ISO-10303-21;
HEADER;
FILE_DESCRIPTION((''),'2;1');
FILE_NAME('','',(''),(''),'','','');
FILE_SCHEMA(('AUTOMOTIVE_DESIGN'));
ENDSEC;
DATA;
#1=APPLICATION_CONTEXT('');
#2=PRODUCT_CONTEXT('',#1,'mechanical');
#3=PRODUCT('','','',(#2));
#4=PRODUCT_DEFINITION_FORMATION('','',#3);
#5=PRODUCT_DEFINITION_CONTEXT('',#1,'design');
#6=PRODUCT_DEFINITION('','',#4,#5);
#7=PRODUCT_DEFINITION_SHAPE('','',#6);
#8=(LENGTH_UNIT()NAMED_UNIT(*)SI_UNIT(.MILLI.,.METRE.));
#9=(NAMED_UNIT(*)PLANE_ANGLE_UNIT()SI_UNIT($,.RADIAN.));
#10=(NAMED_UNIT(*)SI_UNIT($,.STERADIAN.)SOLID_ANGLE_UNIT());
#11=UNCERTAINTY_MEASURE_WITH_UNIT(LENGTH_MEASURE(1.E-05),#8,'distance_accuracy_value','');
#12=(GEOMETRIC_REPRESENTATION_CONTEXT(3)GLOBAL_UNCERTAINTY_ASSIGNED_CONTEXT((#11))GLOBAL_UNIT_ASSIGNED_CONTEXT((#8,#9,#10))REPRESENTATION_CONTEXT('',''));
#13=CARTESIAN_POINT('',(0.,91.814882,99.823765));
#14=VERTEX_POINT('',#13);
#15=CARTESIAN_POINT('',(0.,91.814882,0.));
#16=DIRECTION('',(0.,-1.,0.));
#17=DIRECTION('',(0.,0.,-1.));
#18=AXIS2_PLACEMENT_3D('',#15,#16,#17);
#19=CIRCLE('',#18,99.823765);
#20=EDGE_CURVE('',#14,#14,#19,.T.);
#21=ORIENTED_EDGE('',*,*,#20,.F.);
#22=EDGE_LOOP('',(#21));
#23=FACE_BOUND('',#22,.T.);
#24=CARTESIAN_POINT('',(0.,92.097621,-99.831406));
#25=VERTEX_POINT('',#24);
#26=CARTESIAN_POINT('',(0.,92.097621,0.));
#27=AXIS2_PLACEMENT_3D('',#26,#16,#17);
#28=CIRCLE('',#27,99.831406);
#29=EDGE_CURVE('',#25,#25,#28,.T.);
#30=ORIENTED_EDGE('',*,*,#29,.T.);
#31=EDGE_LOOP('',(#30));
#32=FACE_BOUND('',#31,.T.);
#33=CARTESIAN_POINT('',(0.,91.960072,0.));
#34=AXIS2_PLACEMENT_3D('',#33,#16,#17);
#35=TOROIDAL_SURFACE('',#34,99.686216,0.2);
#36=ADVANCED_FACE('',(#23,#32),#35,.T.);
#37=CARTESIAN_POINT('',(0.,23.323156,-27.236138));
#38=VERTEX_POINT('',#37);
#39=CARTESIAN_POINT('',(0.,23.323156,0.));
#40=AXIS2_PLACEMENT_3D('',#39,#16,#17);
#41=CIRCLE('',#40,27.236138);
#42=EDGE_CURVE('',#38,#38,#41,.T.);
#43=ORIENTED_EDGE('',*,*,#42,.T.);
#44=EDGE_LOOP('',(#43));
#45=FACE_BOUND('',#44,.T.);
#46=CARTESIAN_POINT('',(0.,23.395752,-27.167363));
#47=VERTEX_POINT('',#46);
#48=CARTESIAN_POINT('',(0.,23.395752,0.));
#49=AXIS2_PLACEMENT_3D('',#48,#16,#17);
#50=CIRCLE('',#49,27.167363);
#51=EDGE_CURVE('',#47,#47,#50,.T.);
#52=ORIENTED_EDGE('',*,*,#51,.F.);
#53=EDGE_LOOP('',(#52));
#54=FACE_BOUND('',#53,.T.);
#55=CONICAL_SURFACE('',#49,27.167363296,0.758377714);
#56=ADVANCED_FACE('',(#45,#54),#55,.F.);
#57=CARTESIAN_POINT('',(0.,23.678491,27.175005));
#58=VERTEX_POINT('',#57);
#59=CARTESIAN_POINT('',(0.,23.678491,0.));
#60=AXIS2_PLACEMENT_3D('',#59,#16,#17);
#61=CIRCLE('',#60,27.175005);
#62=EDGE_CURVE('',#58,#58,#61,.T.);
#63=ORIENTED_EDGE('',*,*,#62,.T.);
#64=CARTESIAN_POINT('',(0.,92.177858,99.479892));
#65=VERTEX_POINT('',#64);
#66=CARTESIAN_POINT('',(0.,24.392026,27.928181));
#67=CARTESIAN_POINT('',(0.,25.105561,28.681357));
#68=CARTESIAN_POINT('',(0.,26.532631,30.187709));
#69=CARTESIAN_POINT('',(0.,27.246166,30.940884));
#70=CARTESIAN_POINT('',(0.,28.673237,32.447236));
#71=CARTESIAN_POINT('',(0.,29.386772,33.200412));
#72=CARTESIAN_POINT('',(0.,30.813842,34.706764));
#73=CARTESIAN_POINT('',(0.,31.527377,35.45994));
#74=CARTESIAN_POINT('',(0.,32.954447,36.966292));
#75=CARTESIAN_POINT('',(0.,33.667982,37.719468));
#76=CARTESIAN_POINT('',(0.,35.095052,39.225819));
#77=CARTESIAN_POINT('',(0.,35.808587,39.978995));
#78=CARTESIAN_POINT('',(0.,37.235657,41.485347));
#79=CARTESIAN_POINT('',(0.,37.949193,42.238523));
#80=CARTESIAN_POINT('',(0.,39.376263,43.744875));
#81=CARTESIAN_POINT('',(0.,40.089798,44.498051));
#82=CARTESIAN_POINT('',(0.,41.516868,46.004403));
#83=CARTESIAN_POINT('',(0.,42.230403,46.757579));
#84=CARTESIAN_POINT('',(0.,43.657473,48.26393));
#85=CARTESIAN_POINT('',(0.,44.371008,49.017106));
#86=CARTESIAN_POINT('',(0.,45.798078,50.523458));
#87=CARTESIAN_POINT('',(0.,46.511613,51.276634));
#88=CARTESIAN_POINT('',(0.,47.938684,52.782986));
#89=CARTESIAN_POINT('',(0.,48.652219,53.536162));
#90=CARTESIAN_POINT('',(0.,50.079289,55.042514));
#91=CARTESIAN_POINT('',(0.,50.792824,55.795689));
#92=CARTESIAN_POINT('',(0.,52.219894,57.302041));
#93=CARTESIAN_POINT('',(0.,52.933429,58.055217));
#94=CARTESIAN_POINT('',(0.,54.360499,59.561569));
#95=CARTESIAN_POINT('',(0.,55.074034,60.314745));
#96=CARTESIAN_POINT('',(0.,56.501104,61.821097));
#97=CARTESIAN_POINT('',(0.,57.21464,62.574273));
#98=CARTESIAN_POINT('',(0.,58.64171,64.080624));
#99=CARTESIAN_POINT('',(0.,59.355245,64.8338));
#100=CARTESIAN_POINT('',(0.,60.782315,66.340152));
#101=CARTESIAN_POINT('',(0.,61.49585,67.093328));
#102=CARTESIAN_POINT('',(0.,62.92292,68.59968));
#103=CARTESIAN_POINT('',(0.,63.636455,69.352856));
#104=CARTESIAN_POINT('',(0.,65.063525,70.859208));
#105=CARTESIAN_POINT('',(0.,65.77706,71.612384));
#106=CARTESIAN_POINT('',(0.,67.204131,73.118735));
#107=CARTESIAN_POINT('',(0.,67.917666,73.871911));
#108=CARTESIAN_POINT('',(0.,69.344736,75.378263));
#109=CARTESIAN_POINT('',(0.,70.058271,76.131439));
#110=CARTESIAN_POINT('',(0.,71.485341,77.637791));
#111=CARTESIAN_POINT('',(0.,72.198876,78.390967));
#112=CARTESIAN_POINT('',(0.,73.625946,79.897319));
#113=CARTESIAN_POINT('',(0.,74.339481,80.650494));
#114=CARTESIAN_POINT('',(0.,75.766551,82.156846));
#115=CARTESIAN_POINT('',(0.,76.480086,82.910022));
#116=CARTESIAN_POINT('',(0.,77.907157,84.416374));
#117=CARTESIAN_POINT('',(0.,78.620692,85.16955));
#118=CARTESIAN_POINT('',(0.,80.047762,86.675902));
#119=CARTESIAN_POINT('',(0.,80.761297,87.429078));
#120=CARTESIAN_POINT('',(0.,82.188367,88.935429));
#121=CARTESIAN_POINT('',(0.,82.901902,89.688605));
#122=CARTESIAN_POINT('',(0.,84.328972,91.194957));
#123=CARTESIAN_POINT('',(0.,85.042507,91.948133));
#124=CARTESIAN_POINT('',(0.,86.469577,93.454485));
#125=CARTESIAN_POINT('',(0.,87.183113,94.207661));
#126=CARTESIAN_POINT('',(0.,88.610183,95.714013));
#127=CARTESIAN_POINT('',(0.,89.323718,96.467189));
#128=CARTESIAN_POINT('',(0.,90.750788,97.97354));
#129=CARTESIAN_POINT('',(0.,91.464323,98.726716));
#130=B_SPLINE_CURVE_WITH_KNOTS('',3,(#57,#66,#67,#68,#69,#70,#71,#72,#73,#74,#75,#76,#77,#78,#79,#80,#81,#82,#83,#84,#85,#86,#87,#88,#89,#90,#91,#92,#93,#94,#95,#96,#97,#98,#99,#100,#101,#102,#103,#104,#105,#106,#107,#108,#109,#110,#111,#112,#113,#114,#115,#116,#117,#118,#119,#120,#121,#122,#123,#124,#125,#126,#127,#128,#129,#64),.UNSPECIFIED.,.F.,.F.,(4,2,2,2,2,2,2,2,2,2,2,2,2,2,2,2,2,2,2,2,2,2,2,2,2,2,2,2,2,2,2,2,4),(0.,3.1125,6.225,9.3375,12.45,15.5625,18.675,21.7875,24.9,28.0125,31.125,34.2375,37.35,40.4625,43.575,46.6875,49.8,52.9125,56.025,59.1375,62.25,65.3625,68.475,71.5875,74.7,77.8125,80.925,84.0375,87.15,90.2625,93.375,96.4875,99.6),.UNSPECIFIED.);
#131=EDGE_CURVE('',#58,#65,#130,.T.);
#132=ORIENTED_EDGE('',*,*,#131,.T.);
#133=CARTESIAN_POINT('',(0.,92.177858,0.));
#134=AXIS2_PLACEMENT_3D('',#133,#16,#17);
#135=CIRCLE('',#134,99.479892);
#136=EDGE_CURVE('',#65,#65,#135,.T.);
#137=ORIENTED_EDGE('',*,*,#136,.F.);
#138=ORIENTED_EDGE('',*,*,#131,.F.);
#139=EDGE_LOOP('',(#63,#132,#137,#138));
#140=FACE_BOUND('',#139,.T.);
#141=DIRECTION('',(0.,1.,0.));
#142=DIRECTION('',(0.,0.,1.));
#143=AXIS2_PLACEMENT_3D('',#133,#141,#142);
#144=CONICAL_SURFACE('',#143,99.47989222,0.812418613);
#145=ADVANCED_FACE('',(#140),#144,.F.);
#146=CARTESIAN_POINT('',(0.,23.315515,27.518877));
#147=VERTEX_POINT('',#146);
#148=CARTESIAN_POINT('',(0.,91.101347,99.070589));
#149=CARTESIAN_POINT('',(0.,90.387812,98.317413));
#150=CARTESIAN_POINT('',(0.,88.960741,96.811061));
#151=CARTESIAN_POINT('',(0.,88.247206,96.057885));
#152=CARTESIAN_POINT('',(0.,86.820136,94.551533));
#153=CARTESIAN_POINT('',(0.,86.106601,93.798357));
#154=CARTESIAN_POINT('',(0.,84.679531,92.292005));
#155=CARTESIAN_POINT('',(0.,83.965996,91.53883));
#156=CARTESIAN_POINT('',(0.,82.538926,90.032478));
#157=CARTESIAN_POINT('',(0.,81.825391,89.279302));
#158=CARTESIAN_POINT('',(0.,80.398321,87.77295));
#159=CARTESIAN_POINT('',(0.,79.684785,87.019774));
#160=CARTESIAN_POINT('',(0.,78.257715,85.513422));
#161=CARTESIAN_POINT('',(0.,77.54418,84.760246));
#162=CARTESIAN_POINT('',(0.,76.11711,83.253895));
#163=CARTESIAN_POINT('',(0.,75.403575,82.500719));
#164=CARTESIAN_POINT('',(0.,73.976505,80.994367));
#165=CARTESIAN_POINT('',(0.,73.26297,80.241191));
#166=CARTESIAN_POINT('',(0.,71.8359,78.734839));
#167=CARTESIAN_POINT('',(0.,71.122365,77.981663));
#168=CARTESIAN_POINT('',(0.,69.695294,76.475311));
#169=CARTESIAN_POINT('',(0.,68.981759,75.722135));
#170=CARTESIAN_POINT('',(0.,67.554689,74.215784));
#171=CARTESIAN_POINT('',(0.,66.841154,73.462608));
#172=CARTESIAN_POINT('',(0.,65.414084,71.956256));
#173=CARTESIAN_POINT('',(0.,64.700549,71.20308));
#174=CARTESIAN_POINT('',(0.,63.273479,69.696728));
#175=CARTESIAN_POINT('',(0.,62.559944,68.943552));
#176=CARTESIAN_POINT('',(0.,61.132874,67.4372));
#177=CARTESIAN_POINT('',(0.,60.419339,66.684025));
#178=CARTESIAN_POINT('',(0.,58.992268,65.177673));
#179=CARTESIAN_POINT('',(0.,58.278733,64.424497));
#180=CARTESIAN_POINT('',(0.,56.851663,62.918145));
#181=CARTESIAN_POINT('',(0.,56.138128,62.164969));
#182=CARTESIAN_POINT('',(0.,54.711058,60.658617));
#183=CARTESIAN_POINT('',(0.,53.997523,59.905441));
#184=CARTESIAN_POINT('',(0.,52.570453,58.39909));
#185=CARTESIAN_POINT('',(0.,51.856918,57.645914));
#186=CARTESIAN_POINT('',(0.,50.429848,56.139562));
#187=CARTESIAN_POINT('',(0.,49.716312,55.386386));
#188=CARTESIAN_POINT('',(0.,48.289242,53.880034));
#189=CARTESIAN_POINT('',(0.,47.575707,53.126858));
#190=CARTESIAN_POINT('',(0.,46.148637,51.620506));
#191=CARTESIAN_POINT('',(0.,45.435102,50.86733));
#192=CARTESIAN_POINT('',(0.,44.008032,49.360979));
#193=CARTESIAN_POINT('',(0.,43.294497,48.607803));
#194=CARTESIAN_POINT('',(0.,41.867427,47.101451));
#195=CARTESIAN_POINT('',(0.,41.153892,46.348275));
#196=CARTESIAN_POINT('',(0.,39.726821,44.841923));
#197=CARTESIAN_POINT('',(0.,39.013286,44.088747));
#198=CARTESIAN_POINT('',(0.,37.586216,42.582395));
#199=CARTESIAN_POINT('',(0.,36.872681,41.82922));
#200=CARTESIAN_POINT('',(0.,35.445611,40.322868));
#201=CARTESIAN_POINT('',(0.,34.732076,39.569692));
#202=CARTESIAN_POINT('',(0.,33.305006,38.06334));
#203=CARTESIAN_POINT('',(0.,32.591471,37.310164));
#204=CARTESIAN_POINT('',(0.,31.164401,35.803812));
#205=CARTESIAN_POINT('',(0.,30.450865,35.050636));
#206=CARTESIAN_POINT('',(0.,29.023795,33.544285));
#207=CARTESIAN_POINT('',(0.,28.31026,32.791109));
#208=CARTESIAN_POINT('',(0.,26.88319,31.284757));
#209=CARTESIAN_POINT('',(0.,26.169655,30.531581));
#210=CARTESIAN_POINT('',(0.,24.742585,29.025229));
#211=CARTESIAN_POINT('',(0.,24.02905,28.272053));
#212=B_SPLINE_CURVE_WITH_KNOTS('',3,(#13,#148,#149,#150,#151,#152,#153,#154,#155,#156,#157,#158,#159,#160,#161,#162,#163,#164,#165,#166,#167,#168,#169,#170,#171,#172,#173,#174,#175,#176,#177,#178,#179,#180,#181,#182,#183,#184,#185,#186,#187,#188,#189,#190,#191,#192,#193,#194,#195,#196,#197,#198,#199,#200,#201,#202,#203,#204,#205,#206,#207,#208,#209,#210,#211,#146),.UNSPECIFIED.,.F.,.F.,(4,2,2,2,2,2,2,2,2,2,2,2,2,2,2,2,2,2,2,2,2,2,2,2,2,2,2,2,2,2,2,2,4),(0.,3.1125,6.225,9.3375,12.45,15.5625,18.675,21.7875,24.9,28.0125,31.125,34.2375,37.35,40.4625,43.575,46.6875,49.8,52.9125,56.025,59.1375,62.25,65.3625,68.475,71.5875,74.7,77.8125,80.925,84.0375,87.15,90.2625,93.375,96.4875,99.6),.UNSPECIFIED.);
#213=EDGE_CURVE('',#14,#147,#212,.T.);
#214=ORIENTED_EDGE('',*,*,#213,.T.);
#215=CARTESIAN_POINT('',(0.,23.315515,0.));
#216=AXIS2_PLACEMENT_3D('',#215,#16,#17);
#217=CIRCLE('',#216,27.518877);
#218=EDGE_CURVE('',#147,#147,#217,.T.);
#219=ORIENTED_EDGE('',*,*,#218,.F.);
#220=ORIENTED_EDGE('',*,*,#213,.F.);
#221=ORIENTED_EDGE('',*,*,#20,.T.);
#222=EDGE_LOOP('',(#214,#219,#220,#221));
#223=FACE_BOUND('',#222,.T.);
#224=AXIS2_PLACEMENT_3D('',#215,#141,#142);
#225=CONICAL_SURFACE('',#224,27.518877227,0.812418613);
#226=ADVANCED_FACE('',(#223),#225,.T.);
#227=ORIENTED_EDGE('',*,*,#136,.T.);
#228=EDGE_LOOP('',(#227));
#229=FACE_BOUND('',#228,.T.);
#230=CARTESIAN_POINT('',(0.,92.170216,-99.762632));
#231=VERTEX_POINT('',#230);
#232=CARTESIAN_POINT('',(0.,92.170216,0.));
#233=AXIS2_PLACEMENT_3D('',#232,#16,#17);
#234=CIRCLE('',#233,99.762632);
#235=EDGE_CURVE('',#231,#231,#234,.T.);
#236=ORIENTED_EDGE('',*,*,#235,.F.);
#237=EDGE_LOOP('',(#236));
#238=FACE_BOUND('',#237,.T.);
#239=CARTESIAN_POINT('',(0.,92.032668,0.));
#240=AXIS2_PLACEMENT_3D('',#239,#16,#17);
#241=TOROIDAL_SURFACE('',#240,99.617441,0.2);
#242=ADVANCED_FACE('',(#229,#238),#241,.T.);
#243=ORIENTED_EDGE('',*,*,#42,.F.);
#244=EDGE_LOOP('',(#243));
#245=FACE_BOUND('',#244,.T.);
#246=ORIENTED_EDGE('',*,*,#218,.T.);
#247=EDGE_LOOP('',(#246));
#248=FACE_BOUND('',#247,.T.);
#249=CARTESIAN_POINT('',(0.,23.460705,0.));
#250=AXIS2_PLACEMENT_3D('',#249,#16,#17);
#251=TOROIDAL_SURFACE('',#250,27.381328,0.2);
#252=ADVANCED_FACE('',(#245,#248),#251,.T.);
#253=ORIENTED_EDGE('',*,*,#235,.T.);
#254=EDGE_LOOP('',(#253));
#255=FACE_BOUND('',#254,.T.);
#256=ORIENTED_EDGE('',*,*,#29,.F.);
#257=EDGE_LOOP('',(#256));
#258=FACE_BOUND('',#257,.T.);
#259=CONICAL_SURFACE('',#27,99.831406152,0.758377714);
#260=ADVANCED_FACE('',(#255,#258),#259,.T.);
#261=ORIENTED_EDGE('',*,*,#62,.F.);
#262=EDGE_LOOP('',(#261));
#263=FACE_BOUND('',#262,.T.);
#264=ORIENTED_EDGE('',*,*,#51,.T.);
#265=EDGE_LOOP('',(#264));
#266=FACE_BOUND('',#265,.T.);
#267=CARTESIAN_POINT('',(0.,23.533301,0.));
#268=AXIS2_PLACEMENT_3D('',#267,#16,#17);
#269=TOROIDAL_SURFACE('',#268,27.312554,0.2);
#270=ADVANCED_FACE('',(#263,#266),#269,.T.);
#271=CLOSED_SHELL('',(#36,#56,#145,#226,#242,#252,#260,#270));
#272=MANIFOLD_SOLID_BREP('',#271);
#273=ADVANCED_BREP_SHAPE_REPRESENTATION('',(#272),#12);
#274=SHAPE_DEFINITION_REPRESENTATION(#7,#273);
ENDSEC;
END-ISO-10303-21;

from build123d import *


with BuildPart() as part:
    # Эскиз2 → Повернуть1 (revolve)
    with BuildSketch(Plane.XY, mode=Mode.PRIVATE) as revolve_1_sk:
        with BuildLine():
            Line((99.47989222, 92.177858052), (27.175004903, 23.67849112))
            ThreePointArc((27.175004903, 23.67849112), (27.112626839, 23.538704015), (27.167363296, 23.395751653))
            Line((27.167363296, 23.395751653), (27.236137761, 23.323156385))
            ThreePointArc((27.236137761, 23.323156385), (27.375924866, 23.260778321), (27.518877227, 23.315514778))
            Line((27.518877227, 23.315514778), (99.823764544, 91.81488171))
            ThreePointArc((99.823764544, 91.81488171), (99.886142609, 91.954668814), (99.831406152, 92.097621176))
            Line((99.831406152, 92.097621176), (99.762631687, 92.170216445))
            ThreePointArc((99.762631687, 92.170216445), (99.622844582, 92.232594509), (99.47989222, 92.177858052))
        make_face()
    revolve(revolve_1_sk.sketch.rotate(Axis((0, -32.617744242, 0), (0, 1, 0)), 90), axis=Axis((0, -32.617744242, 0), (0, 1, 0)))


solid = part.part
